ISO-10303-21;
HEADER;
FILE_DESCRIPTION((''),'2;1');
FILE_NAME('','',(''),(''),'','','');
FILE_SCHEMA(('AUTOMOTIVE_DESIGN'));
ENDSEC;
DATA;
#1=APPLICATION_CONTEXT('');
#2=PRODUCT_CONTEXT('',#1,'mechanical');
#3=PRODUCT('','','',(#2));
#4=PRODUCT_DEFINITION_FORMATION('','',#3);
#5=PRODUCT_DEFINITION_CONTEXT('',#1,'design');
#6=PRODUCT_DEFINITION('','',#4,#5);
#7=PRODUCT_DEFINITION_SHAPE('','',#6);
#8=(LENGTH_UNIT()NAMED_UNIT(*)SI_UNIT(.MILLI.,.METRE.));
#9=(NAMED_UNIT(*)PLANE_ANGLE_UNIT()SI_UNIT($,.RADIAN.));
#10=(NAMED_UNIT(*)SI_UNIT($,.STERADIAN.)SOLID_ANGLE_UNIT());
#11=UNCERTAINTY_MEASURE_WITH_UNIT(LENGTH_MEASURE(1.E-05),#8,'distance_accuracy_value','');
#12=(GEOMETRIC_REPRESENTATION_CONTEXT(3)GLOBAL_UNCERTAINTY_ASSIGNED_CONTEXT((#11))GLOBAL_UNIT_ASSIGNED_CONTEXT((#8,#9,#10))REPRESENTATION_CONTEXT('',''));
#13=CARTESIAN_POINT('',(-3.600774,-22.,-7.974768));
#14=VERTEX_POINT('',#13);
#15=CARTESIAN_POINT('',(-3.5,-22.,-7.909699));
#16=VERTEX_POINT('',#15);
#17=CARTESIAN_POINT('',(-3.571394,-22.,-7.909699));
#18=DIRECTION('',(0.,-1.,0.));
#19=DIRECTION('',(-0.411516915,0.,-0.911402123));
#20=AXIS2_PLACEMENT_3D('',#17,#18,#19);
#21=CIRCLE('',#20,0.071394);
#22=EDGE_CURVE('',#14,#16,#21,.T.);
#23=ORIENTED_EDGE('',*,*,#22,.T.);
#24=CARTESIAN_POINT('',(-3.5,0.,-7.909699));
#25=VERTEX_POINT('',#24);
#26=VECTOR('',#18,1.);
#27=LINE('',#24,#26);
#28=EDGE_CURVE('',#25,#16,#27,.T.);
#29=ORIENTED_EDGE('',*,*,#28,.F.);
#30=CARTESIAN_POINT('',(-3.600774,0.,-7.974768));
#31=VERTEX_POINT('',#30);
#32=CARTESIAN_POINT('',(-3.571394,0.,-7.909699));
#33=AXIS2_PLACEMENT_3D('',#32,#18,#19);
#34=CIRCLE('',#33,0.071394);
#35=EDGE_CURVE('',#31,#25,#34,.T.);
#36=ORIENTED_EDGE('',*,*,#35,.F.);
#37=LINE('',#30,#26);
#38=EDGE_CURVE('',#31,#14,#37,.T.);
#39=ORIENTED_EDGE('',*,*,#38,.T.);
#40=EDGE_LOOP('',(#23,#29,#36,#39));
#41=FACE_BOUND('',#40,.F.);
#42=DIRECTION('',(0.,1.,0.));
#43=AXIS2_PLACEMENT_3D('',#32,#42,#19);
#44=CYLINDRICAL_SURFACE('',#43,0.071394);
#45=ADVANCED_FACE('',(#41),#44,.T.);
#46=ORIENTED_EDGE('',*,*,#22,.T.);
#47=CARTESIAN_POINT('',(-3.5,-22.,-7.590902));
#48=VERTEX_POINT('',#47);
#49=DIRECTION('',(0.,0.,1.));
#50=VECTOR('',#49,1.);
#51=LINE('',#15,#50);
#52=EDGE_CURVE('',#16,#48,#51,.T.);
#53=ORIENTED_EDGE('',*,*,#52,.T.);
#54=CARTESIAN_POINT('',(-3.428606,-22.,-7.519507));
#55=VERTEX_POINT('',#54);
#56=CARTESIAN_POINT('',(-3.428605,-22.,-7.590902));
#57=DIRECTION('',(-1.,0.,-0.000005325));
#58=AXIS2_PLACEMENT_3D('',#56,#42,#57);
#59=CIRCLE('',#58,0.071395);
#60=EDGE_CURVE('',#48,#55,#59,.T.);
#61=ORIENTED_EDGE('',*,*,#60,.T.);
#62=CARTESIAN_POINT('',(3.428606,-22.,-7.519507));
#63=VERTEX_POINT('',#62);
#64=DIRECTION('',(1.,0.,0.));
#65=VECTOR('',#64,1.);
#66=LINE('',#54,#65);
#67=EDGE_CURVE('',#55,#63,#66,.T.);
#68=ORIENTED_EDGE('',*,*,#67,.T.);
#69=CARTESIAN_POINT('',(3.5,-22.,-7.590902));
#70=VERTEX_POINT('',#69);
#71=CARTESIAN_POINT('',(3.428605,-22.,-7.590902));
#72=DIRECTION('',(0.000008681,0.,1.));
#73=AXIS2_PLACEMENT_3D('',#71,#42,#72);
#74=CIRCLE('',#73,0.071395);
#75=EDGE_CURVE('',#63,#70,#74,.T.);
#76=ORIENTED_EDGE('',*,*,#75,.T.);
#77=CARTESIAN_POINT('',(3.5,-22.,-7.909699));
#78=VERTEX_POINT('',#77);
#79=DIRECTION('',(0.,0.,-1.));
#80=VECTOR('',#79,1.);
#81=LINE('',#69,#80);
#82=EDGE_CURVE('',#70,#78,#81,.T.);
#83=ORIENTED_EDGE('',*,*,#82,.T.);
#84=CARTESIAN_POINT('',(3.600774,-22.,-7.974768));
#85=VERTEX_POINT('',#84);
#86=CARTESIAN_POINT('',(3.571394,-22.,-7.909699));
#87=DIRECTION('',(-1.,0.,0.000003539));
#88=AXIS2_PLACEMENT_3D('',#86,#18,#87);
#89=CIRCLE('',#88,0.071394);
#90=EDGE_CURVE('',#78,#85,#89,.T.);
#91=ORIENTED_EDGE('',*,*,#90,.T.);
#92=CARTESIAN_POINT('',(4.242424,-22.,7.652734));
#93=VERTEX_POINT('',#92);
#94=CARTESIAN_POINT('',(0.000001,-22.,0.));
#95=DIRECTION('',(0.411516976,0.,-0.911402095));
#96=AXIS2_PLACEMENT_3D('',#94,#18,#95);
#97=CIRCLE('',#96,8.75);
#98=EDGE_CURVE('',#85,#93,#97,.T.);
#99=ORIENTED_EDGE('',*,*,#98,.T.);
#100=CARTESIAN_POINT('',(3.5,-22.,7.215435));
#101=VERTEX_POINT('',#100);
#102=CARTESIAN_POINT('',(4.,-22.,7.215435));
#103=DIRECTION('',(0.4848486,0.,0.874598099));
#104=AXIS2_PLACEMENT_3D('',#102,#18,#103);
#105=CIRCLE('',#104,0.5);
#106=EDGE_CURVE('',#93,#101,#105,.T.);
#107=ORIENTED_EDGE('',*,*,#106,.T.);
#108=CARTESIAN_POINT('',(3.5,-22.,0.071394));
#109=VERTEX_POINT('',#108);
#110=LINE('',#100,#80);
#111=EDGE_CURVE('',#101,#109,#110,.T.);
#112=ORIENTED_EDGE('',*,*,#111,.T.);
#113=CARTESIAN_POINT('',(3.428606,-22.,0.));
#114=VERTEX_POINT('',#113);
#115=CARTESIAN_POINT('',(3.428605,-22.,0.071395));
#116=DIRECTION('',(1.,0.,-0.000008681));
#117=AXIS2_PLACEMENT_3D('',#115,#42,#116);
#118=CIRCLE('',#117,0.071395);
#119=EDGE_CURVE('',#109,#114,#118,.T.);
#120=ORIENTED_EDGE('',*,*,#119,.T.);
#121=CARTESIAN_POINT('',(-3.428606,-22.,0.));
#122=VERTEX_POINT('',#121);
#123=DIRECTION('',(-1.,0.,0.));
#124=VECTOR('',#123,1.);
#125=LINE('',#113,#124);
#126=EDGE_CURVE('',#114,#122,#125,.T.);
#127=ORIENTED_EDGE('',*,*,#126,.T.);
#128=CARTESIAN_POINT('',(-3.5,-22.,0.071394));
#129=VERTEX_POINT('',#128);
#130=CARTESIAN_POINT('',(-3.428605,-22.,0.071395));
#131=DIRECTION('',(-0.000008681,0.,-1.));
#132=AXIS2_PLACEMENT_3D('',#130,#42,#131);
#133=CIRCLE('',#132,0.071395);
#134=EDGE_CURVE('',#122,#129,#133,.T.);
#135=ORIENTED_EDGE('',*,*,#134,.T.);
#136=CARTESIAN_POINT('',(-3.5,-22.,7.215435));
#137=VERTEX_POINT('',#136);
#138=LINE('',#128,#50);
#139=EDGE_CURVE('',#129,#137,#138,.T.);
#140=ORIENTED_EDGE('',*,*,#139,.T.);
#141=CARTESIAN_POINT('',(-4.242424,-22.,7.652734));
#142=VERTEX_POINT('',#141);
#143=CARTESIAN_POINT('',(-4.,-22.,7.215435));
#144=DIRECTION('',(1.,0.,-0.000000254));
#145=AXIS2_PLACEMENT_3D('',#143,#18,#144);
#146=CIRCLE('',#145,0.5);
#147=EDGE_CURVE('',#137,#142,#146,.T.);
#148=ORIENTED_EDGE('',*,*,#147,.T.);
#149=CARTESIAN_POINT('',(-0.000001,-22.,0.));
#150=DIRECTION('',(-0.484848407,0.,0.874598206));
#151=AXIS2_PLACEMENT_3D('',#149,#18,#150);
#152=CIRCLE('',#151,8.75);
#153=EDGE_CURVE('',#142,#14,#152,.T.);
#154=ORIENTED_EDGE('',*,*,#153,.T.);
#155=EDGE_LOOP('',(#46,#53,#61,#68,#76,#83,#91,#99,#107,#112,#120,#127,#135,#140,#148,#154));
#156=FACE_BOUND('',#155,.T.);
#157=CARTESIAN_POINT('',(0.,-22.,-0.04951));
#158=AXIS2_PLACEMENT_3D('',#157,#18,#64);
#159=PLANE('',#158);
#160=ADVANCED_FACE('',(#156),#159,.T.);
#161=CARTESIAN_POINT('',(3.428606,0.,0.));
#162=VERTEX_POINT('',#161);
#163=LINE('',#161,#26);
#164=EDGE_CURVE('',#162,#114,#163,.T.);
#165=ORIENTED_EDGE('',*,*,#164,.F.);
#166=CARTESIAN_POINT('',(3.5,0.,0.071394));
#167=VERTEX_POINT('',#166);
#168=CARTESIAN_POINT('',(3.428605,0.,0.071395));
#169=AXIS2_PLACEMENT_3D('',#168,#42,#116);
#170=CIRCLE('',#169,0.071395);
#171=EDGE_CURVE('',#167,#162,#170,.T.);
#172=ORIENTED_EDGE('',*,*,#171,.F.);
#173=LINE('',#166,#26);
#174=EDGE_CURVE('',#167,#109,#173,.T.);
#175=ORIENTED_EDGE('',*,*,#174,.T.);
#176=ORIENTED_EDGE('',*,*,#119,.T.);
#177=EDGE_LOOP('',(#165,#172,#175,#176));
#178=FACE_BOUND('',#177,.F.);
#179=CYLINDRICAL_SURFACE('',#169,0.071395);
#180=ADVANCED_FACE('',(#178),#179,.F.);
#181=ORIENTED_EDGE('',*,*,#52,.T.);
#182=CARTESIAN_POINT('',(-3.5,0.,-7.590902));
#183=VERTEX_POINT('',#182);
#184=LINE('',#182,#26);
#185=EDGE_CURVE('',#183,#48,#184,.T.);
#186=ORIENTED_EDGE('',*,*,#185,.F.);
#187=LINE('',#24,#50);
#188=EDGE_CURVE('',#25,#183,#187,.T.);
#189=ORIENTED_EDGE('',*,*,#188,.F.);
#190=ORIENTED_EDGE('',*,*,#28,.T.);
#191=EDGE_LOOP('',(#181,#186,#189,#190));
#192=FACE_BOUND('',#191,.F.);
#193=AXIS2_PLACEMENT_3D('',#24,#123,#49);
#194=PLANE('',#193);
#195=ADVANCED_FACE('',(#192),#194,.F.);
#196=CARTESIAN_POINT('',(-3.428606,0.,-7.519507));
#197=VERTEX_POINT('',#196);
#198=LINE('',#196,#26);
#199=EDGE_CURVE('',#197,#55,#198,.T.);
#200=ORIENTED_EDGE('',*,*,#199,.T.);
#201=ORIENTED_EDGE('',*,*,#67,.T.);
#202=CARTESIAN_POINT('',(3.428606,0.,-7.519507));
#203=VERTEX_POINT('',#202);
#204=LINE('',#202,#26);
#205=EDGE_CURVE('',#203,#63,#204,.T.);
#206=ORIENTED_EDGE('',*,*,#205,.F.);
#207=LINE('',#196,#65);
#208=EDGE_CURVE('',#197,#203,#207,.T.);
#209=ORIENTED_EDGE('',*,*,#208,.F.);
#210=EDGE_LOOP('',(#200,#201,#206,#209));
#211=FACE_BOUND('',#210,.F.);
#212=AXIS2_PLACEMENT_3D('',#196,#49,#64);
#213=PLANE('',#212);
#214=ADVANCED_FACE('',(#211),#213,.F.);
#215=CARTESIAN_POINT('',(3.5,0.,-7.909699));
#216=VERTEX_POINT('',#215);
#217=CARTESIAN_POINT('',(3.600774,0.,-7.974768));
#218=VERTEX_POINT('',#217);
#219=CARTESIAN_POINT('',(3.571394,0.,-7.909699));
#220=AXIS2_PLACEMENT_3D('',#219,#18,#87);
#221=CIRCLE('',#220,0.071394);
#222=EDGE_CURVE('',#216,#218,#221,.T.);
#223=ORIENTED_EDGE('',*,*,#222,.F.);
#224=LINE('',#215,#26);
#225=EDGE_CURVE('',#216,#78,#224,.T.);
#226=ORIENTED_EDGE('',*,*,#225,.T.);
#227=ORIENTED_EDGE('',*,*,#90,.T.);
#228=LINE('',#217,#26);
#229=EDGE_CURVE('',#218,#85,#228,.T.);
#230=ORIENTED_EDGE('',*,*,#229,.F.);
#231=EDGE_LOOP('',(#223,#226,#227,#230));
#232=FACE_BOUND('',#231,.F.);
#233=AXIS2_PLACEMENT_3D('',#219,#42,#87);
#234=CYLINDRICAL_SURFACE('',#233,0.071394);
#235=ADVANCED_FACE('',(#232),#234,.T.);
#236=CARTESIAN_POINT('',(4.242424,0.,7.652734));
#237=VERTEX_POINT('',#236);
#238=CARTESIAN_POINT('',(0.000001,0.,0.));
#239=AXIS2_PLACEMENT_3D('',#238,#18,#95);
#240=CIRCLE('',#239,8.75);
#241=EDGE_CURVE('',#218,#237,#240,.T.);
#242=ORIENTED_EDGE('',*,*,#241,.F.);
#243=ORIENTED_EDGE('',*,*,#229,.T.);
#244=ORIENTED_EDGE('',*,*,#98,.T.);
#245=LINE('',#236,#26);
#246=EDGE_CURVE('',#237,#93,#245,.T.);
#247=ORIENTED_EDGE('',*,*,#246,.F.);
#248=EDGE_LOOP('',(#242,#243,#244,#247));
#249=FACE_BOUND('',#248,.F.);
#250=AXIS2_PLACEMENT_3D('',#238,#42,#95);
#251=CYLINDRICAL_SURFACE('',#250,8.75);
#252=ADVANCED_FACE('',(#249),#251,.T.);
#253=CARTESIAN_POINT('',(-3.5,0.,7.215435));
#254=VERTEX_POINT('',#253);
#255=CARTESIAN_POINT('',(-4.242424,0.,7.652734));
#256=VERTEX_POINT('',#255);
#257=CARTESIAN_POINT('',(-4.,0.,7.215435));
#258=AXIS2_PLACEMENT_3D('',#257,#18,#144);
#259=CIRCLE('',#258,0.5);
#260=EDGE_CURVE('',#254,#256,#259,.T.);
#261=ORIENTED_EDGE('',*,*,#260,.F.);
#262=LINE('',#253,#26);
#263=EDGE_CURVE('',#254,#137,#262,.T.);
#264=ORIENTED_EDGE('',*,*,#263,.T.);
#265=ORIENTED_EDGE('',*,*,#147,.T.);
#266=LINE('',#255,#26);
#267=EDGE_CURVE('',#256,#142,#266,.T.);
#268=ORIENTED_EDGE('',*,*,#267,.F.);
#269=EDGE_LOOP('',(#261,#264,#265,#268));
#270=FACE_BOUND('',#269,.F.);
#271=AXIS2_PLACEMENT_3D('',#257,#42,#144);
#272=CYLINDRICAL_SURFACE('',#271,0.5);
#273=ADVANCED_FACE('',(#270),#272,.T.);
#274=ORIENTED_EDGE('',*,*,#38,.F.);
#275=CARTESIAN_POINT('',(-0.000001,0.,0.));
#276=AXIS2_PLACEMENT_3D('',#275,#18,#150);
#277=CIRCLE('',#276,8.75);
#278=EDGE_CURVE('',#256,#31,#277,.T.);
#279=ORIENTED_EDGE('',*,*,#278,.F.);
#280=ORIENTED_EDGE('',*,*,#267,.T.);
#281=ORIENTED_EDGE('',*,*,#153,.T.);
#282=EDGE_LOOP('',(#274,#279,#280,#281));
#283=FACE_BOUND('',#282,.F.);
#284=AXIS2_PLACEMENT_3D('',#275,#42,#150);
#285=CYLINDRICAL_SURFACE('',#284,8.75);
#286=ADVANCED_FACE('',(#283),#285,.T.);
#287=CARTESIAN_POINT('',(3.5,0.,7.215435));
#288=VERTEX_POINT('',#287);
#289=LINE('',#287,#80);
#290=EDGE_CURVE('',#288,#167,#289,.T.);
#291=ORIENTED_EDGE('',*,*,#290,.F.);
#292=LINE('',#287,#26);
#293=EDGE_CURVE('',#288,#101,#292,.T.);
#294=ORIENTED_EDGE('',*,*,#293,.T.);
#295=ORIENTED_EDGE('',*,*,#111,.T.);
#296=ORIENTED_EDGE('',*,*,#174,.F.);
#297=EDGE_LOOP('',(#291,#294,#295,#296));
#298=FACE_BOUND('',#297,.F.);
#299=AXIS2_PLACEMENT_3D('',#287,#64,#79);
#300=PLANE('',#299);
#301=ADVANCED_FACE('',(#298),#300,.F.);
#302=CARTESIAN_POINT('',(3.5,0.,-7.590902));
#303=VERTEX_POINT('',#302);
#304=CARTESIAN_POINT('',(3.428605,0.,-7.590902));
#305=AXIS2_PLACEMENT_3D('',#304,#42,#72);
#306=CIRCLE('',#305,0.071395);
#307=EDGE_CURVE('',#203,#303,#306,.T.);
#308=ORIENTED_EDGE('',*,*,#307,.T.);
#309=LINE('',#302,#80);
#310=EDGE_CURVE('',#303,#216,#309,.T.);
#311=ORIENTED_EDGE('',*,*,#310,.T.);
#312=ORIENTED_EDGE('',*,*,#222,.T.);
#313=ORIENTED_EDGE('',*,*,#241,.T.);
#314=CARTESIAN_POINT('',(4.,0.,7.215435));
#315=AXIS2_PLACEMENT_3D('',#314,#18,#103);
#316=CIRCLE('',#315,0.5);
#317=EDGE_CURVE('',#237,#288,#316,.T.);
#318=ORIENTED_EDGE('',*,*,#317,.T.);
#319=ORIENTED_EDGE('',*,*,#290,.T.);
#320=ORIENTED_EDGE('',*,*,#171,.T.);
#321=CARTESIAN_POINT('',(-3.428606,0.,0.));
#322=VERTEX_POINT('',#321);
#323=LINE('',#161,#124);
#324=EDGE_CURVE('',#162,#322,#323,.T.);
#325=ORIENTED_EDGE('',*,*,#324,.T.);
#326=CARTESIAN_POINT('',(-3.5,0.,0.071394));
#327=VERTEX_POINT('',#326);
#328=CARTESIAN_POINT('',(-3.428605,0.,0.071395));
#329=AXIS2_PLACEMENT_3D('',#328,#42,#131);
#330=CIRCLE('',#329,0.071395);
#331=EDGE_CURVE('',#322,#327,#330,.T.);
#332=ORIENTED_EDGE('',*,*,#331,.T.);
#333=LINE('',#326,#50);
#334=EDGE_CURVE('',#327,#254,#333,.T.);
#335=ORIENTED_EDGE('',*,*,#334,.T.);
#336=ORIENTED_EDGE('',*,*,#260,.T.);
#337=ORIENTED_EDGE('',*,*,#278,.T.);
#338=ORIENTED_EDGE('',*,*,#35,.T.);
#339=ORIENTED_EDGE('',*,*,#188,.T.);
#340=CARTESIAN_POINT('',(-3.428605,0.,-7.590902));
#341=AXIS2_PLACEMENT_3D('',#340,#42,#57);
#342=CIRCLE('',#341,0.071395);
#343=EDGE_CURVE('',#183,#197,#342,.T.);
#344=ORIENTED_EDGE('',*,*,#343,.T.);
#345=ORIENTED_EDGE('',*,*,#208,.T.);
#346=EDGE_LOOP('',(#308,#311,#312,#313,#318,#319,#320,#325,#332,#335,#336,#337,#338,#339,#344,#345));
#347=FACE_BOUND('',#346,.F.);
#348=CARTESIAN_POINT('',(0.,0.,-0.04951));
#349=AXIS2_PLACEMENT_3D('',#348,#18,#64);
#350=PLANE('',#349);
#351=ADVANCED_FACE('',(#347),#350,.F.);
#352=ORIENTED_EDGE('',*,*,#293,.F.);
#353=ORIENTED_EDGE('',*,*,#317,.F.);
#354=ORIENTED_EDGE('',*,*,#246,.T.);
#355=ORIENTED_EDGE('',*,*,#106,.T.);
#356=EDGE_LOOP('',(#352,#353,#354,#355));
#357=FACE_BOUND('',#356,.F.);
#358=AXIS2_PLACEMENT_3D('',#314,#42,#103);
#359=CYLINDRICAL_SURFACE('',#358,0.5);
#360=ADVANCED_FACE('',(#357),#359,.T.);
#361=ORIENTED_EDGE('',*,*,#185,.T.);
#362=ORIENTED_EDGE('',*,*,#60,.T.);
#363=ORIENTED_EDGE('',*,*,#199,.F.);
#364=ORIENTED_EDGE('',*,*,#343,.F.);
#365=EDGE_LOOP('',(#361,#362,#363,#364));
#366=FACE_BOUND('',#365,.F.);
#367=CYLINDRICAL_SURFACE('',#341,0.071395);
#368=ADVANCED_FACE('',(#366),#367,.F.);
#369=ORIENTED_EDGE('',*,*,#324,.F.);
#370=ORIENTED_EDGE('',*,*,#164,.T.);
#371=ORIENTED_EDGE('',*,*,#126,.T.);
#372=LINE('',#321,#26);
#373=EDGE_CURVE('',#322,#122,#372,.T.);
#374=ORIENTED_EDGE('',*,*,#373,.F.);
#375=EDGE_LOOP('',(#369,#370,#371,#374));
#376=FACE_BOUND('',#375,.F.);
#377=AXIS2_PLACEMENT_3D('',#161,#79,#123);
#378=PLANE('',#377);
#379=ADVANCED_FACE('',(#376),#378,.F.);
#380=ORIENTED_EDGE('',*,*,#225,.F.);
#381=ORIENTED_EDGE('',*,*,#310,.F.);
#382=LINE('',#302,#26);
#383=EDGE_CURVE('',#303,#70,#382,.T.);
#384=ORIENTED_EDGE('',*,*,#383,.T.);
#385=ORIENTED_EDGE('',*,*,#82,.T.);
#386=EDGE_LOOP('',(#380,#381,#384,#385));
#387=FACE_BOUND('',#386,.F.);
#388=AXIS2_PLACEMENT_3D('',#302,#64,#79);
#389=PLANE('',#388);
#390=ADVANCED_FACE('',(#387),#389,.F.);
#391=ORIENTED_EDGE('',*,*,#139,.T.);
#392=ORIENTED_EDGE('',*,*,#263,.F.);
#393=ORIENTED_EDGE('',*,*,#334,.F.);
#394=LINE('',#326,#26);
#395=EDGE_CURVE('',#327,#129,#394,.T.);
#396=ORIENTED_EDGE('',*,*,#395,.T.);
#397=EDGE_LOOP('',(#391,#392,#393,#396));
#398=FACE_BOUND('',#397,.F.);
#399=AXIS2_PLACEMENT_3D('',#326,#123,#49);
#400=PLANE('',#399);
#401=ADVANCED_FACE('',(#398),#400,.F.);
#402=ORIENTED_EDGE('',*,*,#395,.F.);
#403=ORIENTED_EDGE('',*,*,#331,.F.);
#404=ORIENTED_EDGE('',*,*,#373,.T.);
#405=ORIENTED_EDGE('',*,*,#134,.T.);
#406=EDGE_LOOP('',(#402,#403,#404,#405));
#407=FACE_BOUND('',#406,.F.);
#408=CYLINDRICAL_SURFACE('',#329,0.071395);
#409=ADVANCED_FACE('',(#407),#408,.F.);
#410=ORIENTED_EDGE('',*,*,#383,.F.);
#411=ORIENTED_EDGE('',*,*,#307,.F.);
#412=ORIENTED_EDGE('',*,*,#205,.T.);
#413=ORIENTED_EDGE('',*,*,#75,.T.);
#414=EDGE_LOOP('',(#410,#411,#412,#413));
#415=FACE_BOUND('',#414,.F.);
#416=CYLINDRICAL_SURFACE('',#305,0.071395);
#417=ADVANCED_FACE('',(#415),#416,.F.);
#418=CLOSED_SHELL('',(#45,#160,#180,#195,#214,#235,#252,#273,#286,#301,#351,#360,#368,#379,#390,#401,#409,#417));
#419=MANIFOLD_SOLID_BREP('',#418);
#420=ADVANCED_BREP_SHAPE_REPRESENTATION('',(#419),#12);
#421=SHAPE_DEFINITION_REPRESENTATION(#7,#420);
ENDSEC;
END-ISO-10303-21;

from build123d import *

# Parameters (mm, degrees)
F1_DEPTH = 22


with BuildPart() as f1:
    # F0 (on Front) → F1 (new body)
    with BuildSketch(Plane.XZ):
        with BuildLine():
            ThreePointArc((-3.5, 7.215435), (-3.74624, 7.646255), (-4.242424, 7.652734))
            ThreePointArc((-4.242424, 7.652734), (-8.742634, -0.358964), (-3.600774, -7.974768))
            ThreePointArc((-3.600774, -7.974768), (-3.532667, -7.969677), (-3.5, -7.909699))
            Line((-3.5, -7.909699), (-3.5, -7.590902))
            ThreePointArc((-3.5, -7.590902), (-3.479089, -7.540418), (-3.428606, -7.519507))
            Line((-3.428606, -7.519507), (3.428606, -7.519507))
            ThreePointArc((3.428606, -7.519507), (3.479089, -7.540418), (3.5, -7.590902))
            Line((3.5, -7.590902), (3.5, -7.909699))
            ThreePointArc((3.5, -7.909699), (3.532667, -7.969677), (3.600774, -7.974768))
            ThreePointArc((3.600774, -7.974768), (8.742634, -0.358964), (4.242424, 7.652734))
            ThreePointArc((4.242424, 7.652734), (3.74624, 7.646255), (3.5, 7.215435))
            Line((3.5, 7.215435), (3.5, 0.071394))
            ThreePointArc((3.5, 0.071394), (3.479089, 0.020911), (3.428606, 0))
            Line((3.428606, 0), (-3.428606, 0))
            ThreePointArc((-3.428606, 0), (-3.479089, 0.020911), (-3.5, 0.071394))
            Line((-3.5, 0.071394), (-3.5, 7.215435))
        make_face()
    extrude(amount=F1_DEPTH)


solid = f1.part
